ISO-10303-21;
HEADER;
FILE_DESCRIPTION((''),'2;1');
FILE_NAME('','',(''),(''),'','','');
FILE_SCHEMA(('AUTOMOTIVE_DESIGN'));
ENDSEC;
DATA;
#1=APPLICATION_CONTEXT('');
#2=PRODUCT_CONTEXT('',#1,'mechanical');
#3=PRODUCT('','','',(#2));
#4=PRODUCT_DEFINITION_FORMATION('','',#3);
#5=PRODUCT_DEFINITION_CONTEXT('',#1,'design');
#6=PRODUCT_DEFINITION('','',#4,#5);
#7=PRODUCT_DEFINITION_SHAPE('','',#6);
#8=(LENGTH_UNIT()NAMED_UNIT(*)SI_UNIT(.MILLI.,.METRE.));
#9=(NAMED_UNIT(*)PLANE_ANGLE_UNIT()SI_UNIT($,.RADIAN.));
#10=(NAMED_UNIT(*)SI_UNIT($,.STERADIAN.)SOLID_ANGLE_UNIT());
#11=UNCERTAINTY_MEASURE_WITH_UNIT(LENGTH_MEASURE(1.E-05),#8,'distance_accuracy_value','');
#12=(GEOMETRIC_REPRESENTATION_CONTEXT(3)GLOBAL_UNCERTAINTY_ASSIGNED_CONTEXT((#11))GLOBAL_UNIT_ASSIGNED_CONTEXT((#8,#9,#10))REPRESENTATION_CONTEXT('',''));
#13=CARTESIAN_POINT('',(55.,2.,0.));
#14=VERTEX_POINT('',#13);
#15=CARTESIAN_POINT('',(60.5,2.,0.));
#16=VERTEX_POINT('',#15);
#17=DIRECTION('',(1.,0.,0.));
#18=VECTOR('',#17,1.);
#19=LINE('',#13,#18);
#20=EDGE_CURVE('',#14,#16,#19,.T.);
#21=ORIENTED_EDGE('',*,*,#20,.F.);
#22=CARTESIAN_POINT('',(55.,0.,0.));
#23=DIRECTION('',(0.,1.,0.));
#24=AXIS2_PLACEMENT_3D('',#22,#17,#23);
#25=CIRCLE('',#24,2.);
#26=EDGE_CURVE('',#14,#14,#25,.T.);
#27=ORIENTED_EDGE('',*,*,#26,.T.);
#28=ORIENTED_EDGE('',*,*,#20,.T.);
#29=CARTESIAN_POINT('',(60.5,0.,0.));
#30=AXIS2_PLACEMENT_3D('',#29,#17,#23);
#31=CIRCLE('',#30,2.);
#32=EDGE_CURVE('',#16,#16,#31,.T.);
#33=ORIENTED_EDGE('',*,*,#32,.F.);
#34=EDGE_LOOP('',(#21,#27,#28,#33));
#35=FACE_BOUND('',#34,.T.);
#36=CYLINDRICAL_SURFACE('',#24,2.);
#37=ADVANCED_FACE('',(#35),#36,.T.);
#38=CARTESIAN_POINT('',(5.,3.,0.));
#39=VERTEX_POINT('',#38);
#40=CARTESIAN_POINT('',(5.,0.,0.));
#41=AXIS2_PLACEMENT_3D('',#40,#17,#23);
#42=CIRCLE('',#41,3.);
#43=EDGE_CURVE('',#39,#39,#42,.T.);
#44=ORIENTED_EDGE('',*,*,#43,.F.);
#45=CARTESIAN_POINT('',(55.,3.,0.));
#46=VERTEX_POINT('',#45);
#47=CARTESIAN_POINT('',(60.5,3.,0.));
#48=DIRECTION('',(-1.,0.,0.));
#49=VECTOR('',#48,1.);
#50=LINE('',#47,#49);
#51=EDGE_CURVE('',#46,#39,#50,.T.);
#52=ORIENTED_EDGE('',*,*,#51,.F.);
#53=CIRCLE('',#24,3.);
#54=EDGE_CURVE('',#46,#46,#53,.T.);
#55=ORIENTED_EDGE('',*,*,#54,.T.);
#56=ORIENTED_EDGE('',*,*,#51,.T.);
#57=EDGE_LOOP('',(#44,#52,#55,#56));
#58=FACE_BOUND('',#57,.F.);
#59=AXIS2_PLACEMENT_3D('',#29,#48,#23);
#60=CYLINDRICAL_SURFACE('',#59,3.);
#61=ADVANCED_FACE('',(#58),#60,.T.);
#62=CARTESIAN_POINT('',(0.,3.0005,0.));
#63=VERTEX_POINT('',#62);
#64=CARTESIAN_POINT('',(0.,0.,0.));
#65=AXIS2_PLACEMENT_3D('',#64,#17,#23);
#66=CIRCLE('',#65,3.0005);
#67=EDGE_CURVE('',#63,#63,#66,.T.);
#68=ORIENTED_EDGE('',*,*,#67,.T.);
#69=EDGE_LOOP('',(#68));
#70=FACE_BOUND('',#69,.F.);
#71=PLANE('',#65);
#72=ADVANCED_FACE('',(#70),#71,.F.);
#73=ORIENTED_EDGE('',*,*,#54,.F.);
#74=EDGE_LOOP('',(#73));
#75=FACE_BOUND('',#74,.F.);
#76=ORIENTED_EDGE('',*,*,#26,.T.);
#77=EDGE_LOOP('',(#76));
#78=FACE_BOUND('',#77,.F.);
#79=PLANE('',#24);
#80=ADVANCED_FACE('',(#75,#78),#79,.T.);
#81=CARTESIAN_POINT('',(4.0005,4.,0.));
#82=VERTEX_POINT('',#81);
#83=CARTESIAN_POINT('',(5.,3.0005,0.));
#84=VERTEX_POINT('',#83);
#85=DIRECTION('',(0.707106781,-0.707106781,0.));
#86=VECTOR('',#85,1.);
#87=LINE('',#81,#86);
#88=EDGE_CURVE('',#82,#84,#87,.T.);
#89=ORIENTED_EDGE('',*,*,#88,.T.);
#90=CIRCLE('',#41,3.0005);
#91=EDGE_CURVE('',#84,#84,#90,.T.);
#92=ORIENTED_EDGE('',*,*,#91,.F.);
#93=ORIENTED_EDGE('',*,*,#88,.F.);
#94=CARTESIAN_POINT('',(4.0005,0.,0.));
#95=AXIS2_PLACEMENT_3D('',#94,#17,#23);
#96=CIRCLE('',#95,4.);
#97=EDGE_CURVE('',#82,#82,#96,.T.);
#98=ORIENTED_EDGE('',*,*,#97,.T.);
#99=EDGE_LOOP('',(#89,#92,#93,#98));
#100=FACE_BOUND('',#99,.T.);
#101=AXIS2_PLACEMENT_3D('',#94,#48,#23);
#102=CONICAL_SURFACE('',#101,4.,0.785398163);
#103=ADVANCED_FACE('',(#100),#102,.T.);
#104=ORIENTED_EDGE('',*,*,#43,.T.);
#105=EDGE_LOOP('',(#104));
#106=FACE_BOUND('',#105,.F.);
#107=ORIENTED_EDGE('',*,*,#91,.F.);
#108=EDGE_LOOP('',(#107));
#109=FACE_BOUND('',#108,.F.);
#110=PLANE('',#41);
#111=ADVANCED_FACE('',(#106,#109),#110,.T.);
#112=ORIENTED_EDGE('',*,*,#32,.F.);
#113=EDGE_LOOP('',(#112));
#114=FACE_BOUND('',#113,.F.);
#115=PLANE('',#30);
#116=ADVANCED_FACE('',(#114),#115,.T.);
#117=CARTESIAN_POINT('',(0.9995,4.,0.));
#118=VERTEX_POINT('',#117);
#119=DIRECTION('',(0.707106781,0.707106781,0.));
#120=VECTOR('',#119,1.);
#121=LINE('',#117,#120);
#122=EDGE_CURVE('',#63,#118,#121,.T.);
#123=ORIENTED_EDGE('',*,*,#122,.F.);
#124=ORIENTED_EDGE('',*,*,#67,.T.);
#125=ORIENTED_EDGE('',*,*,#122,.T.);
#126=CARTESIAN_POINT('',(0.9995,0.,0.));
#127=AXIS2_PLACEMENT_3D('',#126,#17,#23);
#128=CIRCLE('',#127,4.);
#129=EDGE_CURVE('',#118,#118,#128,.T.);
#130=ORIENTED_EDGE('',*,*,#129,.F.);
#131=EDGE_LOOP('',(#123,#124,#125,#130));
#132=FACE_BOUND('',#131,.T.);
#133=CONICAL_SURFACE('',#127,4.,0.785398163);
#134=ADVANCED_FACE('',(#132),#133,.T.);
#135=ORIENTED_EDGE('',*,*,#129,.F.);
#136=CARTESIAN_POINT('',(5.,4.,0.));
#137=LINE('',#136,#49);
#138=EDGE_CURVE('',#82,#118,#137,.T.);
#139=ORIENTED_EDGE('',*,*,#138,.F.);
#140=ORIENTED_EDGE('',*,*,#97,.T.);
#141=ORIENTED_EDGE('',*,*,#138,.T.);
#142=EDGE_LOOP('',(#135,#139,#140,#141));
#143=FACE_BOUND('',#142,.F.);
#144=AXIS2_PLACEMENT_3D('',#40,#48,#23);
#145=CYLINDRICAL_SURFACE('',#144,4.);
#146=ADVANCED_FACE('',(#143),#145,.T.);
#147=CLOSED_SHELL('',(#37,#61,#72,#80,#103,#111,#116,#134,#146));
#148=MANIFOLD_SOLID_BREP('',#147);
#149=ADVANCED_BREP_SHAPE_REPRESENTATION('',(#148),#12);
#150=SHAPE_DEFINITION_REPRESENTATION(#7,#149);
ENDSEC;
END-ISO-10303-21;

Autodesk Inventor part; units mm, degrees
ref_plane "YZ Plane" through (0, 0, 0) normal (1, 0, 0) x (0, 1, 0)
ref_plane "XZ Plane" through (0, 0, 0) normal (0, 1, 0) x (-1, 0, 0)
ref_plane "XY Plane" through (0, 0, 0) normal (0, 0, 1) x (1, 0, 0)
sketch "Sketch1" plane through (0, 0, 0) normal (0, 0, 1) x (1, 0, 0)
  line L0 (0, 0) -> (60.5, 0)
  line L1 (60.5, 0) -> (60.5, 3)
  line L2 (60.5, 3) -> (0, 3)
  line L3 (0, 3) -> (0, 0)
  line L4 (60.5, 0) -> (55, 0)
  line L5 (55, 0) -> (55, 2)
  line L6 (55, 2) -> (60.5, 2)
  line L7 (60.5, 2) -> (60.5, 0)
  line L8 (55, 2) -> (55, 3)
  line L9 (0, 0) -> (5, 0)
  line L10 (5, 0) -> (5, 4)
  line L11 (5, 4) -> (0, 4)
  line L12 (0, 4) -> (0, 0)
  point P0 (5, 3)
  dimension "d0" = 60.5
  dimension "d1" = 3
  dimension "d2" = 5.5
  dimension "d3" = 2
  dimension "d4" = 5
  dimension "d5" = 4
revolve "Revolution1" add sketch "Sketch1" angle 360 about axis through (0, 0, 0) along (1, 0, 0) contours L3 L2 L10 L0 | L10 L2 L8 L5 L0 | L12 L11 L10 L2 | L5 L6 L1 L0
chamfer "Chamfer1" distance 1 angle 45 2 edges at (5, -4, 0) (0, -4, 0)
properties part number "Hajtókar1"
